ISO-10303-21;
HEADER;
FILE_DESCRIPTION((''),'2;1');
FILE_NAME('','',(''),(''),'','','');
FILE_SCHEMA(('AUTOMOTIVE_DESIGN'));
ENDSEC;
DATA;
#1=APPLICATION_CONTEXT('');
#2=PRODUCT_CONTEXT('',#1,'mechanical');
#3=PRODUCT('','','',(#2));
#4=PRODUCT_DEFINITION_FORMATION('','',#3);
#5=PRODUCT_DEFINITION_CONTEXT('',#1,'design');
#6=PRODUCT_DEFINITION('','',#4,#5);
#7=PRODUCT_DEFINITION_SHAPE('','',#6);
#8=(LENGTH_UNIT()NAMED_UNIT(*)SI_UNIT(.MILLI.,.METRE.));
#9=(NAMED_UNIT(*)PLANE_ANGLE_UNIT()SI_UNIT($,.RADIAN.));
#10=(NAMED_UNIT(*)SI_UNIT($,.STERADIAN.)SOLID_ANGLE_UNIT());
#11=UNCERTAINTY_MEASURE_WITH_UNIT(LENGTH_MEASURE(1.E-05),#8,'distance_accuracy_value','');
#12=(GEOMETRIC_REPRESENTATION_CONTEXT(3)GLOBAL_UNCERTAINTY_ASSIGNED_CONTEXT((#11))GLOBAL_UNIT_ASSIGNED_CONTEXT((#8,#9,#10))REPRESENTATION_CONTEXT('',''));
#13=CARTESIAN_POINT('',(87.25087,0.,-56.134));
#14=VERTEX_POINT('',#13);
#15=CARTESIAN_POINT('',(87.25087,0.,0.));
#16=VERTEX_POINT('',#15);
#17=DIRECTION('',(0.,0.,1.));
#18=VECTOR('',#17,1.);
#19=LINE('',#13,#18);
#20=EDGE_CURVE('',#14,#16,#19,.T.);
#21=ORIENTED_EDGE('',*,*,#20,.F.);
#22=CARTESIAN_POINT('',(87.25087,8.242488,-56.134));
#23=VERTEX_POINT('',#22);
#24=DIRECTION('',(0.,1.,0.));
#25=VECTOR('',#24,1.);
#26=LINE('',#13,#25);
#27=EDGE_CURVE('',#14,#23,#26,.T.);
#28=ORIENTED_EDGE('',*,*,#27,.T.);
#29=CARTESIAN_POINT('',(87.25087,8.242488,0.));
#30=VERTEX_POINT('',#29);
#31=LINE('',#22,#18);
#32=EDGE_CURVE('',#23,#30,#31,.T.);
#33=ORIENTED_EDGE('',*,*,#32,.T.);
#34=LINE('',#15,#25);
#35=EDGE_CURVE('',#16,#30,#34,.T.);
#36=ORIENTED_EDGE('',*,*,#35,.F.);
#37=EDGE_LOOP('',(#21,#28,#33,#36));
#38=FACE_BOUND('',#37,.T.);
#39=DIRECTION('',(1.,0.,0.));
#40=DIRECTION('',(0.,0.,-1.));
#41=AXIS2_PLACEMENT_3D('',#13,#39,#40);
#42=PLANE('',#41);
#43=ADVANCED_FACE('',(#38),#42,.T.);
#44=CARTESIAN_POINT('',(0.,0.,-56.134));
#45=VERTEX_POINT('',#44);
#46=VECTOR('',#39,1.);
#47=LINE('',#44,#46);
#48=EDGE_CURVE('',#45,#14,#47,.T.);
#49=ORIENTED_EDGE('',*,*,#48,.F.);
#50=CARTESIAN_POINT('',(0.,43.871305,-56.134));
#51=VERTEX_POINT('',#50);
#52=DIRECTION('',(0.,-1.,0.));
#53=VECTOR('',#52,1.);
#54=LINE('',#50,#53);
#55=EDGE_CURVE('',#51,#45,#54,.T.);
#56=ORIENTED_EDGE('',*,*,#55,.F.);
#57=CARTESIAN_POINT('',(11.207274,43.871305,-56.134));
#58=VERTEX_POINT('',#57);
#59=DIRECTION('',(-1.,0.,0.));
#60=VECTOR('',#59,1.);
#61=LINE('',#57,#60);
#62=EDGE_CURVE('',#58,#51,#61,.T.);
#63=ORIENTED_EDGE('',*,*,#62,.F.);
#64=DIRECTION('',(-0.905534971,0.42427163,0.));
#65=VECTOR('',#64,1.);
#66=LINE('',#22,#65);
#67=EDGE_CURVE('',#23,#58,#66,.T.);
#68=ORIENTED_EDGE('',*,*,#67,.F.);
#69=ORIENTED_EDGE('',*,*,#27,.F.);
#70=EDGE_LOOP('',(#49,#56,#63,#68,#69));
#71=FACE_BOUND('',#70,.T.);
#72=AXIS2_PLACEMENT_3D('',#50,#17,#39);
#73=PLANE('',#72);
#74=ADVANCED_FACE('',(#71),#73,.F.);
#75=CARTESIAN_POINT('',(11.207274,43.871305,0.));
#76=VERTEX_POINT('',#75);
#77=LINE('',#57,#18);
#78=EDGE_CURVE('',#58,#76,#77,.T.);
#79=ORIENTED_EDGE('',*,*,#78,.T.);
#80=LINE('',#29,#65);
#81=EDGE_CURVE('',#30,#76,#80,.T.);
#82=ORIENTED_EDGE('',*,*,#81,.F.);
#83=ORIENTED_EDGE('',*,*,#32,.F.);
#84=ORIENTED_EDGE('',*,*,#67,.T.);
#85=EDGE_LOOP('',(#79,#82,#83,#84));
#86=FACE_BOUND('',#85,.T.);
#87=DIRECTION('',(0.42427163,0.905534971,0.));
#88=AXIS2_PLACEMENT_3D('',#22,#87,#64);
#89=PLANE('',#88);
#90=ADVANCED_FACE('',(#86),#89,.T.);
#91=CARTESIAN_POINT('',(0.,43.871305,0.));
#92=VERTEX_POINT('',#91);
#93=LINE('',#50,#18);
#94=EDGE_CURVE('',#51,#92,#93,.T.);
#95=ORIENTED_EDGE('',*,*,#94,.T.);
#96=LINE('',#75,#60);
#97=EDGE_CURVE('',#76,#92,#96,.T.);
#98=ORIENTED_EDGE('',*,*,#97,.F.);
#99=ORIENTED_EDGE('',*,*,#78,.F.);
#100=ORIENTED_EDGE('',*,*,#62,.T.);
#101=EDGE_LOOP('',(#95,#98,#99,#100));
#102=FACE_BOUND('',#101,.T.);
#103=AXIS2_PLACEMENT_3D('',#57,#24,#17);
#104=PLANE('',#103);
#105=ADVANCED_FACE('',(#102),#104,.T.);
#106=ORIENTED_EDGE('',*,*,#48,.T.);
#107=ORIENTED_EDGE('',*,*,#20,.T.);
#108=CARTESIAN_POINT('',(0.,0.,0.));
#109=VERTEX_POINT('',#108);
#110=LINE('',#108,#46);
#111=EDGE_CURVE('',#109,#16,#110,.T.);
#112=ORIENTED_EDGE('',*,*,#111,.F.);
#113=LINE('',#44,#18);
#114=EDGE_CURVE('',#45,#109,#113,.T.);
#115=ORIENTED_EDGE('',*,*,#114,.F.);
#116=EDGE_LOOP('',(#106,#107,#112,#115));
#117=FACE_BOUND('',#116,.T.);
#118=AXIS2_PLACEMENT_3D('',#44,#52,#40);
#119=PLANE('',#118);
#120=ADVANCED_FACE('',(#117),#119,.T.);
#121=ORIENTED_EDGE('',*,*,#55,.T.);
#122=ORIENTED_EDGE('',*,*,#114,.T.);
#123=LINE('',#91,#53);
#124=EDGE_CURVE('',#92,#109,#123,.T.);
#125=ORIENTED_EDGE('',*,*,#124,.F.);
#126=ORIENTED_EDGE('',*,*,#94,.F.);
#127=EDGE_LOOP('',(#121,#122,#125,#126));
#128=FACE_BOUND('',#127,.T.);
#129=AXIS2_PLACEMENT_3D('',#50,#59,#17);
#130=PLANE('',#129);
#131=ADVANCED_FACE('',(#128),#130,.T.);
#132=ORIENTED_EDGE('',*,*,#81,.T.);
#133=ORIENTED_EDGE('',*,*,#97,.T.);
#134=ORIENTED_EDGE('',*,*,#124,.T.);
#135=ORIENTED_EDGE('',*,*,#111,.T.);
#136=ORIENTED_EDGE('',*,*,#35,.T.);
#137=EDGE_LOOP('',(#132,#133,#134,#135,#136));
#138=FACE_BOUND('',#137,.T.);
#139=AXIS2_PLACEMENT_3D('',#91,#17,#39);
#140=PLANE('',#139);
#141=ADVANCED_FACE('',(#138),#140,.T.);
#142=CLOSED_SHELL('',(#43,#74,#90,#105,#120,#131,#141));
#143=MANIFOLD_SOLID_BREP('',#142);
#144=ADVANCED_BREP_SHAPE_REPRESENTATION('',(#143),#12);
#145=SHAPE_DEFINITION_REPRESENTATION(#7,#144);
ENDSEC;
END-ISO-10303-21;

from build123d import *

# Parameters (mm, degrees)
EXTRUDE1_DEPTH = 56.134


with BuildPart() as part:
    # Sketch1 → Extrude1 (new body)
    with BuildSketch(Plane.XY):
        Polygon((0, 43.871305419), (0, 0), (87.250869818, 0), (87.250869818, 8.242487685), (11.207273759, 43.871305419), align=None)
    extrude(amount=-EXTRUDE1_DEPTH)


solid = part.part
